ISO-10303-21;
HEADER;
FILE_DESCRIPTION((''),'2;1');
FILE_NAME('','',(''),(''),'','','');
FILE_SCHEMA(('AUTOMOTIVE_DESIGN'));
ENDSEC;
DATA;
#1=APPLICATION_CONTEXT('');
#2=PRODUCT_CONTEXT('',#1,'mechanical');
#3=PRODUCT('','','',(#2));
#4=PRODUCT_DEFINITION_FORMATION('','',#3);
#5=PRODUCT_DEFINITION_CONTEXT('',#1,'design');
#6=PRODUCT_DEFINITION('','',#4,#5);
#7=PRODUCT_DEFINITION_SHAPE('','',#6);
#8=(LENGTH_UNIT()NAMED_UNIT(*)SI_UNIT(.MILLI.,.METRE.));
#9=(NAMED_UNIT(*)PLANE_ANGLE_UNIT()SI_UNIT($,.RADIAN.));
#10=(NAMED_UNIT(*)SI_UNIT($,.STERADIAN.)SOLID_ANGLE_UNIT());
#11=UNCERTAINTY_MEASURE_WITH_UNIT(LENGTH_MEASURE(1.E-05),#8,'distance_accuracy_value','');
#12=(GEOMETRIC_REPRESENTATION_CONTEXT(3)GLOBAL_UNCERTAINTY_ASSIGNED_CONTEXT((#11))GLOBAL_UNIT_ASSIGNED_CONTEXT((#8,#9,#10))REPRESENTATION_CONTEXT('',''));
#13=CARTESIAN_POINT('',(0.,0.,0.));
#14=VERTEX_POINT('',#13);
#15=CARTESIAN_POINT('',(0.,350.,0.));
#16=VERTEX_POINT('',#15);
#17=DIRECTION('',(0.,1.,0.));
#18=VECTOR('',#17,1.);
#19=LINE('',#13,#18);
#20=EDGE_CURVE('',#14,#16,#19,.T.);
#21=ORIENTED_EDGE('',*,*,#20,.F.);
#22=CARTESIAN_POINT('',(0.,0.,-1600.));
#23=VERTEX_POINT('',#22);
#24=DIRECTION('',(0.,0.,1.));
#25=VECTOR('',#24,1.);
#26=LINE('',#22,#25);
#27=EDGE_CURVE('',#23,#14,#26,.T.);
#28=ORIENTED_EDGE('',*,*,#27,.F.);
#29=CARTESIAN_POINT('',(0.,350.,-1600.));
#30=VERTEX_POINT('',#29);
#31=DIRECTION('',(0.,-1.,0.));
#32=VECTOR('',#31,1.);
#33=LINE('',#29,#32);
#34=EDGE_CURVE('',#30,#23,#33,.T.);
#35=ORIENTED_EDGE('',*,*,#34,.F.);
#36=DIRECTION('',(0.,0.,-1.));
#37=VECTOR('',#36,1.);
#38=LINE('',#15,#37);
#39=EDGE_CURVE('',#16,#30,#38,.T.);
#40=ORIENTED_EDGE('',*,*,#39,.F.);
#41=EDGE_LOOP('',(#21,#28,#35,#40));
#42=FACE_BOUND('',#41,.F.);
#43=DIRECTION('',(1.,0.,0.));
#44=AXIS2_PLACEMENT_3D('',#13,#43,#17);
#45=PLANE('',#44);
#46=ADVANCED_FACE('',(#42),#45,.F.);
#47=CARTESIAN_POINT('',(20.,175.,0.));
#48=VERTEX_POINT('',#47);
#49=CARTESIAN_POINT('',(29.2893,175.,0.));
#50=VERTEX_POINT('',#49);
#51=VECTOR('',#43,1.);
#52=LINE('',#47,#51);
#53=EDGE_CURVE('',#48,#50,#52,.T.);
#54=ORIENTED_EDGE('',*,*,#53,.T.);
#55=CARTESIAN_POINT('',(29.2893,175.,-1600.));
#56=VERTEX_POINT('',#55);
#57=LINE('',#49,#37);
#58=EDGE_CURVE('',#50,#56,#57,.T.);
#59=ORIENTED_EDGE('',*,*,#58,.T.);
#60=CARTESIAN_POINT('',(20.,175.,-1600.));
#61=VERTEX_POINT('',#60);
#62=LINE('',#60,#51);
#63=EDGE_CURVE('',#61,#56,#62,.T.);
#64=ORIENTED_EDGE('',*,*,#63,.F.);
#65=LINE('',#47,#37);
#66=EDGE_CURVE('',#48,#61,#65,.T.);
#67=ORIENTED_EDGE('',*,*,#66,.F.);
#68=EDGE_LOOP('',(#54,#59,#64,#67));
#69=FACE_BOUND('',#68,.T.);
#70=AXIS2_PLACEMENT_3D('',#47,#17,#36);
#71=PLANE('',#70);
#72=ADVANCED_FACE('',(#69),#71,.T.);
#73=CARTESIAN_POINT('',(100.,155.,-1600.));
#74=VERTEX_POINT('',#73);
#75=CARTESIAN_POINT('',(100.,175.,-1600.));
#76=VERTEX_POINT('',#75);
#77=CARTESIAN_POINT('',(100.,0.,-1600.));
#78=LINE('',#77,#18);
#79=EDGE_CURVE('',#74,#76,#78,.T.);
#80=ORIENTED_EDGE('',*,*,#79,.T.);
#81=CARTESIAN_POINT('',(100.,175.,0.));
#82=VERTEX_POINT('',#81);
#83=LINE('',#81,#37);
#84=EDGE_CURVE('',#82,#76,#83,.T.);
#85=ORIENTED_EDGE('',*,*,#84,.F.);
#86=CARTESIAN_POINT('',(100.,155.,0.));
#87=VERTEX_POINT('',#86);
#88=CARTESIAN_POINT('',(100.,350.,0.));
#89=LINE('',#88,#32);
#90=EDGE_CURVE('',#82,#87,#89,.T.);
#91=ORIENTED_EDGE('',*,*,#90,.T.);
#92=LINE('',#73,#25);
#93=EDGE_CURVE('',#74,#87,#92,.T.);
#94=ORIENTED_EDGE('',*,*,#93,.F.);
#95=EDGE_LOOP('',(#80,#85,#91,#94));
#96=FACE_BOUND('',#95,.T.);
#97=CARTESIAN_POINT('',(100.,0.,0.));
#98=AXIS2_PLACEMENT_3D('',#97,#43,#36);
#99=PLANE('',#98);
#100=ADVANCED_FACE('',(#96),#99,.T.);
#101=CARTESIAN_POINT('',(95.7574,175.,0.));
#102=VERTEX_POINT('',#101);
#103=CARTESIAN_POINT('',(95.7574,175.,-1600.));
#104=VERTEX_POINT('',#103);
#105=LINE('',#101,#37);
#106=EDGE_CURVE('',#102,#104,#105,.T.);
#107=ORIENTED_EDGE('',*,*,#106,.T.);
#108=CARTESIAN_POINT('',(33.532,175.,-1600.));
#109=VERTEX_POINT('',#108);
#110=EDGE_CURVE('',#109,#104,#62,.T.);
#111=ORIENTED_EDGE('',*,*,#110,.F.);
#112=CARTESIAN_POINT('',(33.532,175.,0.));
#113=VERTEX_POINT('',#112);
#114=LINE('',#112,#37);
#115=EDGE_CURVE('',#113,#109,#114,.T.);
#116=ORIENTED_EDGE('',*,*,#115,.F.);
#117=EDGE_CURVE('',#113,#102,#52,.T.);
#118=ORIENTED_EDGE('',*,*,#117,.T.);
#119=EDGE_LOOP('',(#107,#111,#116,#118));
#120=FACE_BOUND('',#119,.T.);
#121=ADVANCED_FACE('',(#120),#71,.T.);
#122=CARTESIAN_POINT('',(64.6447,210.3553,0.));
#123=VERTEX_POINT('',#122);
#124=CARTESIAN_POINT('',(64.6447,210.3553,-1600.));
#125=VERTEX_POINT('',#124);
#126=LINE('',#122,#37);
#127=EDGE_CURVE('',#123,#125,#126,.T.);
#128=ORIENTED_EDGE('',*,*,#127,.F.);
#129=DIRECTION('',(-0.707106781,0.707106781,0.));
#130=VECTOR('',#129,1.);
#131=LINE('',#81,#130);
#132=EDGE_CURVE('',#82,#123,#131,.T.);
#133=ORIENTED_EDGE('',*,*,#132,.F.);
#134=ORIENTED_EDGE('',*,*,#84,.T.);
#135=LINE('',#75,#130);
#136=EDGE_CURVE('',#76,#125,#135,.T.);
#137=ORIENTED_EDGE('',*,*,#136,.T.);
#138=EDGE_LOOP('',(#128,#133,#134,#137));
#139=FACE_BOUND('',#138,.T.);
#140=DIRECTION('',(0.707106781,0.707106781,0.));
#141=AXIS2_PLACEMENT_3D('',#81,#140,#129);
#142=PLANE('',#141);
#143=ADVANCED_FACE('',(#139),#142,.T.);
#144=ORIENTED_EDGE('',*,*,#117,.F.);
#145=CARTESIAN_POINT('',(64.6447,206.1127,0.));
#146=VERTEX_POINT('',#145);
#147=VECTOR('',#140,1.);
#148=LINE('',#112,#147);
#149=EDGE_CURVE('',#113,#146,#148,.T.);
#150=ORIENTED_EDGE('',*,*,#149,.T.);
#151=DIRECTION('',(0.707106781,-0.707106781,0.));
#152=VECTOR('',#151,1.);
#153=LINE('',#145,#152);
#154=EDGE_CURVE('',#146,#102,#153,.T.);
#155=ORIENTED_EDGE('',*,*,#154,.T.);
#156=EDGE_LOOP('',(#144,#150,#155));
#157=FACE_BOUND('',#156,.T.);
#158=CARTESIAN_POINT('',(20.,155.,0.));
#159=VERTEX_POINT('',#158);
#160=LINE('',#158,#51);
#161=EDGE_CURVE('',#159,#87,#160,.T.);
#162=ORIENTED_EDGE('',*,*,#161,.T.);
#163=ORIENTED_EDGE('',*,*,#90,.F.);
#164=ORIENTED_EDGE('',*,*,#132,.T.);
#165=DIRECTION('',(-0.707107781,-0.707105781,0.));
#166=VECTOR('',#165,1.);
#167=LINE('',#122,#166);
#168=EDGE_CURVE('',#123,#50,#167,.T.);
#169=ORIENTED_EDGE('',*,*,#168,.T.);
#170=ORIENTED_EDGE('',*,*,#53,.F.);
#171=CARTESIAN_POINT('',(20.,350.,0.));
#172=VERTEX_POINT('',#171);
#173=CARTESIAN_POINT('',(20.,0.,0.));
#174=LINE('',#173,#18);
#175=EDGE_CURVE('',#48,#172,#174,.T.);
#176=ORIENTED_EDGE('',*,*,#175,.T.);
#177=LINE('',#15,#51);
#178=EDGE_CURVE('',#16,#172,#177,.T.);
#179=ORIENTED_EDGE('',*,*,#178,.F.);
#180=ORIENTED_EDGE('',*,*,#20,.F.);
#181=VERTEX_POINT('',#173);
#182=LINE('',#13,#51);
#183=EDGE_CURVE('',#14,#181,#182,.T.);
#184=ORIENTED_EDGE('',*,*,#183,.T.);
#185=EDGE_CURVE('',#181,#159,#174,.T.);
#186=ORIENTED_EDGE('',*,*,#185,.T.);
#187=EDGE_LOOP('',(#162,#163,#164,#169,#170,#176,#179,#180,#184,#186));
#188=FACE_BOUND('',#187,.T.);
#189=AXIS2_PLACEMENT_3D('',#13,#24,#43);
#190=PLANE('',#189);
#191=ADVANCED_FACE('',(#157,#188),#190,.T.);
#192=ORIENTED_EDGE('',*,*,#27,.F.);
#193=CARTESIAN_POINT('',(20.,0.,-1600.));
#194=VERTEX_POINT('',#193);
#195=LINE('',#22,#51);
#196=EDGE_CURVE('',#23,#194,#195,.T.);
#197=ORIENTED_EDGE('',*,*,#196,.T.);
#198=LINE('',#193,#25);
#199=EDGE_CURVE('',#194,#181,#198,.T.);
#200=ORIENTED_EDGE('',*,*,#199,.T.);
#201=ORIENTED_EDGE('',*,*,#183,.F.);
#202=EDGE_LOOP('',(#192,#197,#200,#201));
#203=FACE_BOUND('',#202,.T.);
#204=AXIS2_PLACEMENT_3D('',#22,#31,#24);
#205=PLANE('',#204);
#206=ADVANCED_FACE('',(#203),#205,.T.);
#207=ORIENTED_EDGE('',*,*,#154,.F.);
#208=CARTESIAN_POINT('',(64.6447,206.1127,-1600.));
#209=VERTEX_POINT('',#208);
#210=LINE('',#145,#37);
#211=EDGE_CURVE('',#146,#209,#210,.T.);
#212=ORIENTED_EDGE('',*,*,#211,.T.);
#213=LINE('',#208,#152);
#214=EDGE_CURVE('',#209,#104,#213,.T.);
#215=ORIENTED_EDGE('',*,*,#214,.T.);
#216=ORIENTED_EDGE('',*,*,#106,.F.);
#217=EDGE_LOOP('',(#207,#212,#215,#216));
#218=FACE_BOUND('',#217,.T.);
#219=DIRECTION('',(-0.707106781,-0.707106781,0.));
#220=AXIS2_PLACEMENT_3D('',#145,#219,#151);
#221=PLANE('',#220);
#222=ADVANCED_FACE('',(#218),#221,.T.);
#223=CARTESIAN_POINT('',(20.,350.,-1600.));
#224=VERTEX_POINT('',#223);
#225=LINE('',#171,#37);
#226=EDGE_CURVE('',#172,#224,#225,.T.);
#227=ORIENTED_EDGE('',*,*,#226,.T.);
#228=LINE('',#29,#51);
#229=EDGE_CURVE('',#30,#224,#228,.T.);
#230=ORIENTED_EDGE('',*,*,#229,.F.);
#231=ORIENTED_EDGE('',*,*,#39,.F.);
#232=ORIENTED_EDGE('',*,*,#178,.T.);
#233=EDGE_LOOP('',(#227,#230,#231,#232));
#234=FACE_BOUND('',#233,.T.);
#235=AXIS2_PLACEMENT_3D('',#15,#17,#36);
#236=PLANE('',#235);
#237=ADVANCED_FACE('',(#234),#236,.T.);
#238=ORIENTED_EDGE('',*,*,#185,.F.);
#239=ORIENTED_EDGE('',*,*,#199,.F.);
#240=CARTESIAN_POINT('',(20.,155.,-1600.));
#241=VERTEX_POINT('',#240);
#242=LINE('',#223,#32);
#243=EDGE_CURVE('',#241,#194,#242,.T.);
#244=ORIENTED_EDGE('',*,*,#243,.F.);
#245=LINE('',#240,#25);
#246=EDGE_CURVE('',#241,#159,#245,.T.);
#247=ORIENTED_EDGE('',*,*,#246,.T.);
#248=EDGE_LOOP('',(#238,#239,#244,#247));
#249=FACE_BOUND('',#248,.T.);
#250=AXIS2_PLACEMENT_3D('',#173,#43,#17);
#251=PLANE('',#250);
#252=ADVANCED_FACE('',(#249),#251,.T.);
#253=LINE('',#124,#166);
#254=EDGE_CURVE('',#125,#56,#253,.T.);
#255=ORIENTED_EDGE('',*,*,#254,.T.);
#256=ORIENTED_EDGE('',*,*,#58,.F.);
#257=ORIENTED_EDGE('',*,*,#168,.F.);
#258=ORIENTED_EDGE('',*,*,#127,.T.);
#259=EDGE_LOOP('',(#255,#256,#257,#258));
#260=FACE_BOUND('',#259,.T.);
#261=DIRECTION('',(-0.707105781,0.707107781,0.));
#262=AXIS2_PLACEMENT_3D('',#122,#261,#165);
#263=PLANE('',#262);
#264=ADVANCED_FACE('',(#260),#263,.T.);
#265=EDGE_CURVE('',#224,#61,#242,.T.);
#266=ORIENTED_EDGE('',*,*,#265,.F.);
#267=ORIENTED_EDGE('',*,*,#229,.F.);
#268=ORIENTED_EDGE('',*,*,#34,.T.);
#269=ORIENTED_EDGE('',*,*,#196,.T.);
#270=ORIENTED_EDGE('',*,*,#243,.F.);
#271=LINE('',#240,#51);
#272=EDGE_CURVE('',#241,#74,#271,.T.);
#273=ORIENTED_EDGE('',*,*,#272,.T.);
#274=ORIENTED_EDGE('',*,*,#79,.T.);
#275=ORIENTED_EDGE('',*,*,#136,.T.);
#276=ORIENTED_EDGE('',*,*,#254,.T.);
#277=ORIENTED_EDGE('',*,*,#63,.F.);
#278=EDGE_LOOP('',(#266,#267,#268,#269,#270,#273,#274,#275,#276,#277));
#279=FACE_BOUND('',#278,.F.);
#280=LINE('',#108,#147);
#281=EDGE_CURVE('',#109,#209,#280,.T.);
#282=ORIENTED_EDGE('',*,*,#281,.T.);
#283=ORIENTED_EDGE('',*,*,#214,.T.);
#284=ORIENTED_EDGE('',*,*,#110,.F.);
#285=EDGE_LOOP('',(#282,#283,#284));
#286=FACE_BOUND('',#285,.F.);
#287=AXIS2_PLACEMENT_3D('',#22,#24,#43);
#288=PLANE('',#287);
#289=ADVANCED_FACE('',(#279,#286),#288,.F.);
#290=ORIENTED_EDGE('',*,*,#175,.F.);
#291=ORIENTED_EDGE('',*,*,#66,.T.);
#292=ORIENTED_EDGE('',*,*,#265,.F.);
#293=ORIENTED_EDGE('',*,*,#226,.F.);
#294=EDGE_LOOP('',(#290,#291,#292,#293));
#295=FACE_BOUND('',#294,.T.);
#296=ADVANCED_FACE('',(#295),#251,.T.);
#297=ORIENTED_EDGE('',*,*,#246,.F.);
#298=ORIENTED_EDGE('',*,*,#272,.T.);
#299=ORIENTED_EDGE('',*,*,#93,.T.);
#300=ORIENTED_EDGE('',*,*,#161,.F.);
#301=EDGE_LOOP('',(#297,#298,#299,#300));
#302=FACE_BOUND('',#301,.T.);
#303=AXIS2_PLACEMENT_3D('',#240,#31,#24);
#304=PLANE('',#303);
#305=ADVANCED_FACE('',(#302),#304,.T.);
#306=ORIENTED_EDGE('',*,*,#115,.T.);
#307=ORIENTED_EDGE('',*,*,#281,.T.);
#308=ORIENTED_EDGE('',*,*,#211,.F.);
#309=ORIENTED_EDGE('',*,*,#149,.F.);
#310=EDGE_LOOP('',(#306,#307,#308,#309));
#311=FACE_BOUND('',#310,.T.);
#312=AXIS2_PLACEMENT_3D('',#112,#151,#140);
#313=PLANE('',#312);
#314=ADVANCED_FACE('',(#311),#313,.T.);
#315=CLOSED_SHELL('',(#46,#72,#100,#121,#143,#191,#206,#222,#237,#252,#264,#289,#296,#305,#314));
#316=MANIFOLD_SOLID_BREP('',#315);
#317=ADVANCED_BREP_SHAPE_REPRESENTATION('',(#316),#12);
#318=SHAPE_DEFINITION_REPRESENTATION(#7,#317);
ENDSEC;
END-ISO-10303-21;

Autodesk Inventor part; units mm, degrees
ref_plane "YZ Plane" through (0, 0, 0) normal (1, 0, 0) x (0, 1, 0)
ref_plane "XZ Plane" through (0, 0, 0) normal (0, 1, 0) x (-1, 0, 0)
ref_plane "XY Plane" through (0, 0, 0) normal (0, 0, 1) x (1, 0, 0)
sketch "Sketch1" plane through (0, 0, 0) normal (1, 0, 0) x (0, 1, 0)
  line L0 (0, 0) -> (350, 0)
  line L1 (350, 0) -> (350, -1600)
  line L2 (350, -1600) -> (0, -1600)
  line L3 (0, -1600) -> (0, 0)
  dimension "d0" = 350
  dimension "d1" = 1600
extrude "Extrusion1" add sketch "Sketch1" along normal blind 20
sketch "Sketch3" plane through (0, 0, 0) normal (0, 0, 1) x (1, 0, 0)
  point P0 (0, 0)
sketch "Sketch6" plane through (20, 0, 0) normal (1, 0, 0) x (0, 0, -1)
  line L0 (0, 350) -> (0, 0) projected
  line L1 (1600, 0) -> (1600, 350) projected
  line L2 (0, 175) -> (1600, 175)
  line L3 (1600, 175) -> (1600, 155)
  line L4 (1600, 155) -> (0, 155)
  line L5 (0, 155) -> (0, 175)
  point P0 (0, 155)
  dimension "d11" = 20
extrude "Extrusion4" add sketch "Sketch6" along normal blind 80
sketch "Sketch7" plane through (0, 0, 0) normal (0, 0, 1) x (1, 0, 0)
  line L0 (100, 155) -> (100, 175) projected
  line L1 (100, 175) -> (64.6447, 210.3553)
  line L2 (100, 175) -> (150, 175) construction
  line L3 (64.6447, 210.3553) -> (29.2893, 175)
  line L4 (29.2893, 175) -> (33.532, 175)
  line L5 (20, 175) -> (100, 175) projected
  line L6 (33.532, 175) -> (64.6447, 206.1127)
  line L7 (64.6447, 206.1127) -> (95.7574, 175)
  point P0 (0, 0)
  dimension "d14" = 50
  dimension "d15" = 135
  dimension "d16" = 50
  dimension "d18" = 3
  dimension "d19" = 3
extrude "Extrusion5" add sketch "Sketch7" against normal blind 1600 contours L5 L7 L6 L4 L3 L1
properties part number "Riel superior"
